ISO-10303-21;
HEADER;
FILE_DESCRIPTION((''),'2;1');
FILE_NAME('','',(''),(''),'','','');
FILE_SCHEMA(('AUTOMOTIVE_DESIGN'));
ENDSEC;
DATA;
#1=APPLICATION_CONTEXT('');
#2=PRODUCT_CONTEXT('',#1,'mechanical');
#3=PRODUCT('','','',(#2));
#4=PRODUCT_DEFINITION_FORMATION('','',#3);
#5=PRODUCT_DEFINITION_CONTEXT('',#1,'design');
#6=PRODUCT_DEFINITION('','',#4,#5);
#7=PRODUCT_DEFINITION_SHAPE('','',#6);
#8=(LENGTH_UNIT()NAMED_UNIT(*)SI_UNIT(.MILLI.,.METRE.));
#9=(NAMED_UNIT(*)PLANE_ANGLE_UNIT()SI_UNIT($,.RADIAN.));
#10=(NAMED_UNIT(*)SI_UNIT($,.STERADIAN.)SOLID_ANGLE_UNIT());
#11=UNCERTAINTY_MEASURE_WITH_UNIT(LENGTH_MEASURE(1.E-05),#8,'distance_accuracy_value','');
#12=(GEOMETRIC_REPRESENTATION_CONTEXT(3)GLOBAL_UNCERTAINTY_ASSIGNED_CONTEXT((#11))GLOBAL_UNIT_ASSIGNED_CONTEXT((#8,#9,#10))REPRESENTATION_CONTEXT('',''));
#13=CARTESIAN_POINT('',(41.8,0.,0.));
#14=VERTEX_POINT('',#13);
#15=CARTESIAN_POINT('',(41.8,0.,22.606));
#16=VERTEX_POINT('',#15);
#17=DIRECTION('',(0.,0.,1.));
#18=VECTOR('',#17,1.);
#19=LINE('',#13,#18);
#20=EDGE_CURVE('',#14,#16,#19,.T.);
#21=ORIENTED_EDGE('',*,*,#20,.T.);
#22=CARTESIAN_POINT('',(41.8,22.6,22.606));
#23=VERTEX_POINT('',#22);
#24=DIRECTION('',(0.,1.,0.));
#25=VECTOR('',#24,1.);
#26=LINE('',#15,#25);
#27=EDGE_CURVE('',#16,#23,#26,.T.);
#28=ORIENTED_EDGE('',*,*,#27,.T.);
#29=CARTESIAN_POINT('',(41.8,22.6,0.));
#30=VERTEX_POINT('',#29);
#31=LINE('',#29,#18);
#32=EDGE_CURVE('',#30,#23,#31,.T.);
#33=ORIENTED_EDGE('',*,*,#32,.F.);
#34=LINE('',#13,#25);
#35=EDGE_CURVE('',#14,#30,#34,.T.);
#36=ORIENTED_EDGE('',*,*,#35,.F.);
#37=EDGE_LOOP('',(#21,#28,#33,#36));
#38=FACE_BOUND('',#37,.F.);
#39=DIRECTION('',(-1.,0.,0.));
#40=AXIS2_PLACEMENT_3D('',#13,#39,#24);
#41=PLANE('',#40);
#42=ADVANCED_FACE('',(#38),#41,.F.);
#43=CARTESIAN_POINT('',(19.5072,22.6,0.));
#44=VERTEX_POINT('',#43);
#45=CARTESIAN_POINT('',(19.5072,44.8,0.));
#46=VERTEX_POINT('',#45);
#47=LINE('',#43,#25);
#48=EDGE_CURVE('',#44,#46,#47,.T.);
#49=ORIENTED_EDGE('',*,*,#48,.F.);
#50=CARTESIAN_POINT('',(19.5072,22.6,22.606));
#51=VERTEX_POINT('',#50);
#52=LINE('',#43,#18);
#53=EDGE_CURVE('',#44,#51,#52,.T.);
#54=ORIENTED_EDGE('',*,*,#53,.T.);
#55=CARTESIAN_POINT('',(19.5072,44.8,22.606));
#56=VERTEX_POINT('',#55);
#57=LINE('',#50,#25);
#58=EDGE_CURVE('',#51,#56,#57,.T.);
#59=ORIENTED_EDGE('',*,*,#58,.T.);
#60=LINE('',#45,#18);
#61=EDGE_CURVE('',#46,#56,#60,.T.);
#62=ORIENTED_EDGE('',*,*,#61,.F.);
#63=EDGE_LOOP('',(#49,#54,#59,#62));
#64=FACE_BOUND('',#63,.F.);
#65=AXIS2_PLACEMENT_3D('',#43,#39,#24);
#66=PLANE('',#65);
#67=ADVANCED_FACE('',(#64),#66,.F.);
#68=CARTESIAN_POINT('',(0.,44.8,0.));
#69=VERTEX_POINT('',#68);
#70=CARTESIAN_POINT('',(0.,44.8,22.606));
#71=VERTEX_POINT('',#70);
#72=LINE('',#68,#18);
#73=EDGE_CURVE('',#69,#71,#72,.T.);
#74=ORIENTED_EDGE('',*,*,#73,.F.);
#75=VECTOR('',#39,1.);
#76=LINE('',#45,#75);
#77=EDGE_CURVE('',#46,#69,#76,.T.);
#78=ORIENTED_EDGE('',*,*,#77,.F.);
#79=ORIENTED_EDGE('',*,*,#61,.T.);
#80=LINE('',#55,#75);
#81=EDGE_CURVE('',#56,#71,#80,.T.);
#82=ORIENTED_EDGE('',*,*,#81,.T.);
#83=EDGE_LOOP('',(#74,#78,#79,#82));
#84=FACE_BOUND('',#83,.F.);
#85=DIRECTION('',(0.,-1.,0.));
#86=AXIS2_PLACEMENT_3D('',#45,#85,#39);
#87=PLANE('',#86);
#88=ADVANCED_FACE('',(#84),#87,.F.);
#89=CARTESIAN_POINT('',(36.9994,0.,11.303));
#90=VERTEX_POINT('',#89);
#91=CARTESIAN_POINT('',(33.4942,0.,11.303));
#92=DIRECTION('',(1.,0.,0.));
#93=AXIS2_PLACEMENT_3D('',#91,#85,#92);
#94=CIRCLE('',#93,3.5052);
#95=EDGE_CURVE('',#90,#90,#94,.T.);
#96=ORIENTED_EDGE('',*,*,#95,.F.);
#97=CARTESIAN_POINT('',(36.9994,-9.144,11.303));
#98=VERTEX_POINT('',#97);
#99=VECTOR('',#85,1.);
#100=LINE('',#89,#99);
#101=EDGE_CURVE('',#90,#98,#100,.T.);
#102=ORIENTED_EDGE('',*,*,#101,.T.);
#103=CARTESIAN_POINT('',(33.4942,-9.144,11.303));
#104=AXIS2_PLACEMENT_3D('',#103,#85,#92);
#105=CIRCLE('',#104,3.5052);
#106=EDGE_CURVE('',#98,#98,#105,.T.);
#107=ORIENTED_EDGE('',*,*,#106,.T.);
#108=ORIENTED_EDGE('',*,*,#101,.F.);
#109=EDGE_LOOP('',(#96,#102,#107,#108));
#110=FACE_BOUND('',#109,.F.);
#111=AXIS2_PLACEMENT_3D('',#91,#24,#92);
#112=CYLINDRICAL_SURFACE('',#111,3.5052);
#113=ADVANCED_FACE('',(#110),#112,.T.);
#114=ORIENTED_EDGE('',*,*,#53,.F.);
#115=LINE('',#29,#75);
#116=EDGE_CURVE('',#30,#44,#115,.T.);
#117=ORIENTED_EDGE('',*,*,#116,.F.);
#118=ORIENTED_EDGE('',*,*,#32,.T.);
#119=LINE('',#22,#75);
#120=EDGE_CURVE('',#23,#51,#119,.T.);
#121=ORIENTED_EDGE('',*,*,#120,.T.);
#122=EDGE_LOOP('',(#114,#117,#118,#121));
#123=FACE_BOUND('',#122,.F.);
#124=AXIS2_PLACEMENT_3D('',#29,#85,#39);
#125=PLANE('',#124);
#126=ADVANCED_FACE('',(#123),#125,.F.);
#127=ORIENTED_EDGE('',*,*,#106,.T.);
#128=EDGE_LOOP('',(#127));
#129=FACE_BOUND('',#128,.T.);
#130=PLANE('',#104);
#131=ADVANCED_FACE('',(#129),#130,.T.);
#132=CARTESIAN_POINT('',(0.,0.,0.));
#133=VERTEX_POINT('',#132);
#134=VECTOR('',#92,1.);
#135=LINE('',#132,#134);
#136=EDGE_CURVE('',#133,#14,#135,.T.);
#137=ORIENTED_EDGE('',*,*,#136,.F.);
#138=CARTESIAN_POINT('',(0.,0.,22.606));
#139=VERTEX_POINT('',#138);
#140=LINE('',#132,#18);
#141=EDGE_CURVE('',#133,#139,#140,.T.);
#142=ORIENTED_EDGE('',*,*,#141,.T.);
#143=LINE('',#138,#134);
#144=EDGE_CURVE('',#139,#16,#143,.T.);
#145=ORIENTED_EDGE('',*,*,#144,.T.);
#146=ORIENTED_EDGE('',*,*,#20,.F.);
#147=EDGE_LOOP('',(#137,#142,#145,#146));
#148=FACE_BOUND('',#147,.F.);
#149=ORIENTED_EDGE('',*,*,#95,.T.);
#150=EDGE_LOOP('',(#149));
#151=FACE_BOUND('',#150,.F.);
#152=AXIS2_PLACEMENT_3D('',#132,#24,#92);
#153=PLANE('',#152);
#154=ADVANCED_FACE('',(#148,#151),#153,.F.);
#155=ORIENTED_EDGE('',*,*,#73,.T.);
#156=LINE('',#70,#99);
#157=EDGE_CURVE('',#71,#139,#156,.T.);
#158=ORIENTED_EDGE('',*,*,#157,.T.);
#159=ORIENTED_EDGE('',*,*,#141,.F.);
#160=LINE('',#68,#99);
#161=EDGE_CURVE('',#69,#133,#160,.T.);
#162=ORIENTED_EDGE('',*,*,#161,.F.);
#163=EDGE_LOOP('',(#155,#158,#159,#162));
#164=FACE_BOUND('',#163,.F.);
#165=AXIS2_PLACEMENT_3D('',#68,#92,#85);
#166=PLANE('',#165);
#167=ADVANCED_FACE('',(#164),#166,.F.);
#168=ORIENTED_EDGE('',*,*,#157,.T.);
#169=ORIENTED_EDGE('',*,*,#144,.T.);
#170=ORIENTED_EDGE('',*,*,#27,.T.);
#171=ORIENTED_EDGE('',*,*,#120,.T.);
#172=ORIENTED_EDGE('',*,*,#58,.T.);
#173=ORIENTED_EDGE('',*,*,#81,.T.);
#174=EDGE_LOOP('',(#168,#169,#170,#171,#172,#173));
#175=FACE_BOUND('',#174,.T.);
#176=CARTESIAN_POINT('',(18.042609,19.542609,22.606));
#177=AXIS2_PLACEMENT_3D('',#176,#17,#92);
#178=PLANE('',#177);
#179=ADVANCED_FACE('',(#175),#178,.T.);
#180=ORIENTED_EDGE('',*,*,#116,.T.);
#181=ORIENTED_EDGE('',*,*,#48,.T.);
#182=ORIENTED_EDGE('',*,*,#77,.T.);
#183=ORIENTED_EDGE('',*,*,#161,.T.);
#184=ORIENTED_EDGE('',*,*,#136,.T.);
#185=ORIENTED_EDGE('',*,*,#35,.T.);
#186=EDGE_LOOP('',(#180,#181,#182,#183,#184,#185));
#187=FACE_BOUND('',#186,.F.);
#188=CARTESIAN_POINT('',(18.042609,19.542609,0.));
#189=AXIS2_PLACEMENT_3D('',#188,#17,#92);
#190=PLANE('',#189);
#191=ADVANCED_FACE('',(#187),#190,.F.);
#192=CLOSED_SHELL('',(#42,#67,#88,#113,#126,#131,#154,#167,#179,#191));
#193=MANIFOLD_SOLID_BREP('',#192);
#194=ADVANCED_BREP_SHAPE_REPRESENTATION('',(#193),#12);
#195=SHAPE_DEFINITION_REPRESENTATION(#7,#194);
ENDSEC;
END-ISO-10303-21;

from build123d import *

# Parameters (mm, degrees)
F1_DEPTH = 22.606
F2_R     = 3.5052
F3_DEPTH = 9.144


with BuildPart() as f1:
    # F0 (on Top) → F1 (new body)
    with BuildSketch(Plane.XY):
        Polygon((0, 44.8), (0, 0), (41.8, 0), (41.8, 22.6), (19.5072, 22.6), (19.5072, 44.8), align=None)
    extrude(amount=F1_DEPTH)

    # F2 (on face) → F3 (join)
    with BuildSketch(Plane.XZ):
        with Locations((33.4942, 11.303)):
            Circle(F2_R)
    extrude(amount=F3_DEPTH)


solid = f1.part
